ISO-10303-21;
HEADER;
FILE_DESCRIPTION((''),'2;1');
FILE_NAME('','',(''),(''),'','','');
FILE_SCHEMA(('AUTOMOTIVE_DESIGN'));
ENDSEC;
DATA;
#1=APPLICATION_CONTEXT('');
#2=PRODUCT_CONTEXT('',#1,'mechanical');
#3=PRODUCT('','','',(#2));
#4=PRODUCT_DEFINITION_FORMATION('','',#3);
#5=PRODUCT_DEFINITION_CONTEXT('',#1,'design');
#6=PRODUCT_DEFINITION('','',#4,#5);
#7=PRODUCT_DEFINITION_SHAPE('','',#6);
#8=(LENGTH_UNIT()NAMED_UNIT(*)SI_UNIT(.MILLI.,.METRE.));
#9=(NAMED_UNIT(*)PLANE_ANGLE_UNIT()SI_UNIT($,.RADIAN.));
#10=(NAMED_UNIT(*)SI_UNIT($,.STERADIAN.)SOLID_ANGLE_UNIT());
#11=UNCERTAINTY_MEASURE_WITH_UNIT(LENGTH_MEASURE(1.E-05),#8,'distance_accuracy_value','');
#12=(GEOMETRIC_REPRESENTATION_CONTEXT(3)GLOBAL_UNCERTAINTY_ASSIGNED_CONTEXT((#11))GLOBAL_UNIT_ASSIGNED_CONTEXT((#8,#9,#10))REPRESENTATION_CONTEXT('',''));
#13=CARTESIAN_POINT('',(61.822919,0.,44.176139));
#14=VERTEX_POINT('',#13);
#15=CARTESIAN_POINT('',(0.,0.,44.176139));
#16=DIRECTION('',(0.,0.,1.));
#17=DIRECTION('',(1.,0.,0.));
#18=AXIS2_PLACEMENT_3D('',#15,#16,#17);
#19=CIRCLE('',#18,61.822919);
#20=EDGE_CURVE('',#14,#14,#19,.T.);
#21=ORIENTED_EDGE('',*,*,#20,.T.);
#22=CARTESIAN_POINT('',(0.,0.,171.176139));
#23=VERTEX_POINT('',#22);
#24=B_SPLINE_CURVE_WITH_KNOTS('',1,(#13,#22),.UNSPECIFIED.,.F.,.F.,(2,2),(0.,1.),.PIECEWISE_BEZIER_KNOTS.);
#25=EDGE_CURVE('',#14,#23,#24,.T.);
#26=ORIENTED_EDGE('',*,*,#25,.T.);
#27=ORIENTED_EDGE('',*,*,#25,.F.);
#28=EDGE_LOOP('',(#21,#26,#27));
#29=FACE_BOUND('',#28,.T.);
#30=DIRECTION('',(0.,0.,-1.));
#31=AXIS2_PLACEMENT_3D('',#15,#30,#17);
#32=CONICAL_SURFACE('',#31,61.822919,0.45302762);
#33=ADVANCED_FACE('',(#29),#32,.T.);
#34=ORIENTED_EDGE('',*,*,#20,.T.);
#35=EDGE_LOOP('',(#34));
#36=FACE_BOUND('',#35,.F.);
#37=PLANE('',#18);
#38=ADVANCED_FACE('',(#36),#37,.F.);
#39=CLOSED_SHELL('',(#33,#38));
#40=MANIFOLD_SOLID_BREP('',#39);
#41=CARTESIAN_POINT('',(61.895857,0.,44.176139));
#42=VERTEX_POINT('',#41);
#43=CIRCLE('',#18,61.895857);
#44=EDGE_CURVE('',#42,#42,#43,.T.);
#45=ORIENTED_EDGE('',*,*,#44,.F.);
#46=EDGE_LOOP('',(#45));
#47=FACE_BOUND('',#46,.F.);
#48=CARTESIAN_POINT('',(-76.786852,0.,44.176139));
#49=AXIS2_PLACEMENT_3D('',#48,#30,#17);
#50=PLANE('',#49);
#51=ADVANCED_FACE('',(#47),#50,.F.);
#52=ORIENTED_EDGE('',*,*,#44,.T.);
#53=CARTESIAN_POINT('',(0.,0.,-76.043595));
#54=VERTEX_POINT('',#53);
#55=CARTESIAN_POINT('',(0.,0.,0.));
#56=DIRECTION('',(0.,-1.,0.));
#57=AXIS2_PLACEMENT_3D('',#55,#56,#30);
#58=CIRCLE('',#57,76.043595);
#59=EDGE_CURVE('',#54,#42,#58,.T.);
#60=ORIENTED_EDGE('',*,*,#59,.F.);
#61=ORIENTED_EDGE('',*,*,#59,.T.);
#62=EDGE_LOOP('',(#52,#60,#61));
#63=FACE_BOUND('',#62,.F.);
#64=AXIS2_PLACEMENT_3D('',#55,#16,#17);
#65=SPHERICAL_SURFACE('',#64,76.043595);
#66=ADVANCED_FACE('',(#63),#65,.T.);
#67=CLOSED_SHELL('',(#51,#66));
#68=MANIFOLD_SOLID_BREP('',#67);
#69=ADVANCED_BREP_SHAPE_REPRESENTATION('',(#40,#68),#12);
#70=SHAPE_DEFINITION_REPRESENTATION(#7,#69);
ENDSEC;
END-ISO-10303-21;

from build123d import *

# Parameters (mm, degrees)
F2_W     = 152.056925
F2_H     = 32.610714
F3_DEPTH = 63.5
F4_R     = 61.822919


with BuildPart() as f1:
    # F0 (on Front) → F1 (revolve)
    with BuildSketch(Plane.XZ):
        with BuildLine():
            Line((0, 76.043595), (0, -76.043595))
            ThreePointArc((0, -76.043595), (76.043595, 0), (0, 76.043595))
        make_face()
    revolve(axis=Axis((0, 0, 0), (0, 0, -1)))

    # F2 (on Front) → F3 (cut, symmetric)
    with BuildSketch(Plane.XZ):
        with Locations((-0.75839, 60.481496)):
            Rectangle(F2_W, F2_H)
    extrude(amount=F3_DEPTH, both=True, mode=Mode.SUBTRACT)


with BuildPart() as f8:
    # F4 (on face) → F8 section 0
    with BuildSketch(Plane.XY.offset(44.176139), mode=Mode.PRIVATE) as f8_s0:
        Circle(F4_R)
    loft([f8_s0.sketch, Vertex(0, 0, 171.176139)])


solid = Compound([f1.part, f8.part])
